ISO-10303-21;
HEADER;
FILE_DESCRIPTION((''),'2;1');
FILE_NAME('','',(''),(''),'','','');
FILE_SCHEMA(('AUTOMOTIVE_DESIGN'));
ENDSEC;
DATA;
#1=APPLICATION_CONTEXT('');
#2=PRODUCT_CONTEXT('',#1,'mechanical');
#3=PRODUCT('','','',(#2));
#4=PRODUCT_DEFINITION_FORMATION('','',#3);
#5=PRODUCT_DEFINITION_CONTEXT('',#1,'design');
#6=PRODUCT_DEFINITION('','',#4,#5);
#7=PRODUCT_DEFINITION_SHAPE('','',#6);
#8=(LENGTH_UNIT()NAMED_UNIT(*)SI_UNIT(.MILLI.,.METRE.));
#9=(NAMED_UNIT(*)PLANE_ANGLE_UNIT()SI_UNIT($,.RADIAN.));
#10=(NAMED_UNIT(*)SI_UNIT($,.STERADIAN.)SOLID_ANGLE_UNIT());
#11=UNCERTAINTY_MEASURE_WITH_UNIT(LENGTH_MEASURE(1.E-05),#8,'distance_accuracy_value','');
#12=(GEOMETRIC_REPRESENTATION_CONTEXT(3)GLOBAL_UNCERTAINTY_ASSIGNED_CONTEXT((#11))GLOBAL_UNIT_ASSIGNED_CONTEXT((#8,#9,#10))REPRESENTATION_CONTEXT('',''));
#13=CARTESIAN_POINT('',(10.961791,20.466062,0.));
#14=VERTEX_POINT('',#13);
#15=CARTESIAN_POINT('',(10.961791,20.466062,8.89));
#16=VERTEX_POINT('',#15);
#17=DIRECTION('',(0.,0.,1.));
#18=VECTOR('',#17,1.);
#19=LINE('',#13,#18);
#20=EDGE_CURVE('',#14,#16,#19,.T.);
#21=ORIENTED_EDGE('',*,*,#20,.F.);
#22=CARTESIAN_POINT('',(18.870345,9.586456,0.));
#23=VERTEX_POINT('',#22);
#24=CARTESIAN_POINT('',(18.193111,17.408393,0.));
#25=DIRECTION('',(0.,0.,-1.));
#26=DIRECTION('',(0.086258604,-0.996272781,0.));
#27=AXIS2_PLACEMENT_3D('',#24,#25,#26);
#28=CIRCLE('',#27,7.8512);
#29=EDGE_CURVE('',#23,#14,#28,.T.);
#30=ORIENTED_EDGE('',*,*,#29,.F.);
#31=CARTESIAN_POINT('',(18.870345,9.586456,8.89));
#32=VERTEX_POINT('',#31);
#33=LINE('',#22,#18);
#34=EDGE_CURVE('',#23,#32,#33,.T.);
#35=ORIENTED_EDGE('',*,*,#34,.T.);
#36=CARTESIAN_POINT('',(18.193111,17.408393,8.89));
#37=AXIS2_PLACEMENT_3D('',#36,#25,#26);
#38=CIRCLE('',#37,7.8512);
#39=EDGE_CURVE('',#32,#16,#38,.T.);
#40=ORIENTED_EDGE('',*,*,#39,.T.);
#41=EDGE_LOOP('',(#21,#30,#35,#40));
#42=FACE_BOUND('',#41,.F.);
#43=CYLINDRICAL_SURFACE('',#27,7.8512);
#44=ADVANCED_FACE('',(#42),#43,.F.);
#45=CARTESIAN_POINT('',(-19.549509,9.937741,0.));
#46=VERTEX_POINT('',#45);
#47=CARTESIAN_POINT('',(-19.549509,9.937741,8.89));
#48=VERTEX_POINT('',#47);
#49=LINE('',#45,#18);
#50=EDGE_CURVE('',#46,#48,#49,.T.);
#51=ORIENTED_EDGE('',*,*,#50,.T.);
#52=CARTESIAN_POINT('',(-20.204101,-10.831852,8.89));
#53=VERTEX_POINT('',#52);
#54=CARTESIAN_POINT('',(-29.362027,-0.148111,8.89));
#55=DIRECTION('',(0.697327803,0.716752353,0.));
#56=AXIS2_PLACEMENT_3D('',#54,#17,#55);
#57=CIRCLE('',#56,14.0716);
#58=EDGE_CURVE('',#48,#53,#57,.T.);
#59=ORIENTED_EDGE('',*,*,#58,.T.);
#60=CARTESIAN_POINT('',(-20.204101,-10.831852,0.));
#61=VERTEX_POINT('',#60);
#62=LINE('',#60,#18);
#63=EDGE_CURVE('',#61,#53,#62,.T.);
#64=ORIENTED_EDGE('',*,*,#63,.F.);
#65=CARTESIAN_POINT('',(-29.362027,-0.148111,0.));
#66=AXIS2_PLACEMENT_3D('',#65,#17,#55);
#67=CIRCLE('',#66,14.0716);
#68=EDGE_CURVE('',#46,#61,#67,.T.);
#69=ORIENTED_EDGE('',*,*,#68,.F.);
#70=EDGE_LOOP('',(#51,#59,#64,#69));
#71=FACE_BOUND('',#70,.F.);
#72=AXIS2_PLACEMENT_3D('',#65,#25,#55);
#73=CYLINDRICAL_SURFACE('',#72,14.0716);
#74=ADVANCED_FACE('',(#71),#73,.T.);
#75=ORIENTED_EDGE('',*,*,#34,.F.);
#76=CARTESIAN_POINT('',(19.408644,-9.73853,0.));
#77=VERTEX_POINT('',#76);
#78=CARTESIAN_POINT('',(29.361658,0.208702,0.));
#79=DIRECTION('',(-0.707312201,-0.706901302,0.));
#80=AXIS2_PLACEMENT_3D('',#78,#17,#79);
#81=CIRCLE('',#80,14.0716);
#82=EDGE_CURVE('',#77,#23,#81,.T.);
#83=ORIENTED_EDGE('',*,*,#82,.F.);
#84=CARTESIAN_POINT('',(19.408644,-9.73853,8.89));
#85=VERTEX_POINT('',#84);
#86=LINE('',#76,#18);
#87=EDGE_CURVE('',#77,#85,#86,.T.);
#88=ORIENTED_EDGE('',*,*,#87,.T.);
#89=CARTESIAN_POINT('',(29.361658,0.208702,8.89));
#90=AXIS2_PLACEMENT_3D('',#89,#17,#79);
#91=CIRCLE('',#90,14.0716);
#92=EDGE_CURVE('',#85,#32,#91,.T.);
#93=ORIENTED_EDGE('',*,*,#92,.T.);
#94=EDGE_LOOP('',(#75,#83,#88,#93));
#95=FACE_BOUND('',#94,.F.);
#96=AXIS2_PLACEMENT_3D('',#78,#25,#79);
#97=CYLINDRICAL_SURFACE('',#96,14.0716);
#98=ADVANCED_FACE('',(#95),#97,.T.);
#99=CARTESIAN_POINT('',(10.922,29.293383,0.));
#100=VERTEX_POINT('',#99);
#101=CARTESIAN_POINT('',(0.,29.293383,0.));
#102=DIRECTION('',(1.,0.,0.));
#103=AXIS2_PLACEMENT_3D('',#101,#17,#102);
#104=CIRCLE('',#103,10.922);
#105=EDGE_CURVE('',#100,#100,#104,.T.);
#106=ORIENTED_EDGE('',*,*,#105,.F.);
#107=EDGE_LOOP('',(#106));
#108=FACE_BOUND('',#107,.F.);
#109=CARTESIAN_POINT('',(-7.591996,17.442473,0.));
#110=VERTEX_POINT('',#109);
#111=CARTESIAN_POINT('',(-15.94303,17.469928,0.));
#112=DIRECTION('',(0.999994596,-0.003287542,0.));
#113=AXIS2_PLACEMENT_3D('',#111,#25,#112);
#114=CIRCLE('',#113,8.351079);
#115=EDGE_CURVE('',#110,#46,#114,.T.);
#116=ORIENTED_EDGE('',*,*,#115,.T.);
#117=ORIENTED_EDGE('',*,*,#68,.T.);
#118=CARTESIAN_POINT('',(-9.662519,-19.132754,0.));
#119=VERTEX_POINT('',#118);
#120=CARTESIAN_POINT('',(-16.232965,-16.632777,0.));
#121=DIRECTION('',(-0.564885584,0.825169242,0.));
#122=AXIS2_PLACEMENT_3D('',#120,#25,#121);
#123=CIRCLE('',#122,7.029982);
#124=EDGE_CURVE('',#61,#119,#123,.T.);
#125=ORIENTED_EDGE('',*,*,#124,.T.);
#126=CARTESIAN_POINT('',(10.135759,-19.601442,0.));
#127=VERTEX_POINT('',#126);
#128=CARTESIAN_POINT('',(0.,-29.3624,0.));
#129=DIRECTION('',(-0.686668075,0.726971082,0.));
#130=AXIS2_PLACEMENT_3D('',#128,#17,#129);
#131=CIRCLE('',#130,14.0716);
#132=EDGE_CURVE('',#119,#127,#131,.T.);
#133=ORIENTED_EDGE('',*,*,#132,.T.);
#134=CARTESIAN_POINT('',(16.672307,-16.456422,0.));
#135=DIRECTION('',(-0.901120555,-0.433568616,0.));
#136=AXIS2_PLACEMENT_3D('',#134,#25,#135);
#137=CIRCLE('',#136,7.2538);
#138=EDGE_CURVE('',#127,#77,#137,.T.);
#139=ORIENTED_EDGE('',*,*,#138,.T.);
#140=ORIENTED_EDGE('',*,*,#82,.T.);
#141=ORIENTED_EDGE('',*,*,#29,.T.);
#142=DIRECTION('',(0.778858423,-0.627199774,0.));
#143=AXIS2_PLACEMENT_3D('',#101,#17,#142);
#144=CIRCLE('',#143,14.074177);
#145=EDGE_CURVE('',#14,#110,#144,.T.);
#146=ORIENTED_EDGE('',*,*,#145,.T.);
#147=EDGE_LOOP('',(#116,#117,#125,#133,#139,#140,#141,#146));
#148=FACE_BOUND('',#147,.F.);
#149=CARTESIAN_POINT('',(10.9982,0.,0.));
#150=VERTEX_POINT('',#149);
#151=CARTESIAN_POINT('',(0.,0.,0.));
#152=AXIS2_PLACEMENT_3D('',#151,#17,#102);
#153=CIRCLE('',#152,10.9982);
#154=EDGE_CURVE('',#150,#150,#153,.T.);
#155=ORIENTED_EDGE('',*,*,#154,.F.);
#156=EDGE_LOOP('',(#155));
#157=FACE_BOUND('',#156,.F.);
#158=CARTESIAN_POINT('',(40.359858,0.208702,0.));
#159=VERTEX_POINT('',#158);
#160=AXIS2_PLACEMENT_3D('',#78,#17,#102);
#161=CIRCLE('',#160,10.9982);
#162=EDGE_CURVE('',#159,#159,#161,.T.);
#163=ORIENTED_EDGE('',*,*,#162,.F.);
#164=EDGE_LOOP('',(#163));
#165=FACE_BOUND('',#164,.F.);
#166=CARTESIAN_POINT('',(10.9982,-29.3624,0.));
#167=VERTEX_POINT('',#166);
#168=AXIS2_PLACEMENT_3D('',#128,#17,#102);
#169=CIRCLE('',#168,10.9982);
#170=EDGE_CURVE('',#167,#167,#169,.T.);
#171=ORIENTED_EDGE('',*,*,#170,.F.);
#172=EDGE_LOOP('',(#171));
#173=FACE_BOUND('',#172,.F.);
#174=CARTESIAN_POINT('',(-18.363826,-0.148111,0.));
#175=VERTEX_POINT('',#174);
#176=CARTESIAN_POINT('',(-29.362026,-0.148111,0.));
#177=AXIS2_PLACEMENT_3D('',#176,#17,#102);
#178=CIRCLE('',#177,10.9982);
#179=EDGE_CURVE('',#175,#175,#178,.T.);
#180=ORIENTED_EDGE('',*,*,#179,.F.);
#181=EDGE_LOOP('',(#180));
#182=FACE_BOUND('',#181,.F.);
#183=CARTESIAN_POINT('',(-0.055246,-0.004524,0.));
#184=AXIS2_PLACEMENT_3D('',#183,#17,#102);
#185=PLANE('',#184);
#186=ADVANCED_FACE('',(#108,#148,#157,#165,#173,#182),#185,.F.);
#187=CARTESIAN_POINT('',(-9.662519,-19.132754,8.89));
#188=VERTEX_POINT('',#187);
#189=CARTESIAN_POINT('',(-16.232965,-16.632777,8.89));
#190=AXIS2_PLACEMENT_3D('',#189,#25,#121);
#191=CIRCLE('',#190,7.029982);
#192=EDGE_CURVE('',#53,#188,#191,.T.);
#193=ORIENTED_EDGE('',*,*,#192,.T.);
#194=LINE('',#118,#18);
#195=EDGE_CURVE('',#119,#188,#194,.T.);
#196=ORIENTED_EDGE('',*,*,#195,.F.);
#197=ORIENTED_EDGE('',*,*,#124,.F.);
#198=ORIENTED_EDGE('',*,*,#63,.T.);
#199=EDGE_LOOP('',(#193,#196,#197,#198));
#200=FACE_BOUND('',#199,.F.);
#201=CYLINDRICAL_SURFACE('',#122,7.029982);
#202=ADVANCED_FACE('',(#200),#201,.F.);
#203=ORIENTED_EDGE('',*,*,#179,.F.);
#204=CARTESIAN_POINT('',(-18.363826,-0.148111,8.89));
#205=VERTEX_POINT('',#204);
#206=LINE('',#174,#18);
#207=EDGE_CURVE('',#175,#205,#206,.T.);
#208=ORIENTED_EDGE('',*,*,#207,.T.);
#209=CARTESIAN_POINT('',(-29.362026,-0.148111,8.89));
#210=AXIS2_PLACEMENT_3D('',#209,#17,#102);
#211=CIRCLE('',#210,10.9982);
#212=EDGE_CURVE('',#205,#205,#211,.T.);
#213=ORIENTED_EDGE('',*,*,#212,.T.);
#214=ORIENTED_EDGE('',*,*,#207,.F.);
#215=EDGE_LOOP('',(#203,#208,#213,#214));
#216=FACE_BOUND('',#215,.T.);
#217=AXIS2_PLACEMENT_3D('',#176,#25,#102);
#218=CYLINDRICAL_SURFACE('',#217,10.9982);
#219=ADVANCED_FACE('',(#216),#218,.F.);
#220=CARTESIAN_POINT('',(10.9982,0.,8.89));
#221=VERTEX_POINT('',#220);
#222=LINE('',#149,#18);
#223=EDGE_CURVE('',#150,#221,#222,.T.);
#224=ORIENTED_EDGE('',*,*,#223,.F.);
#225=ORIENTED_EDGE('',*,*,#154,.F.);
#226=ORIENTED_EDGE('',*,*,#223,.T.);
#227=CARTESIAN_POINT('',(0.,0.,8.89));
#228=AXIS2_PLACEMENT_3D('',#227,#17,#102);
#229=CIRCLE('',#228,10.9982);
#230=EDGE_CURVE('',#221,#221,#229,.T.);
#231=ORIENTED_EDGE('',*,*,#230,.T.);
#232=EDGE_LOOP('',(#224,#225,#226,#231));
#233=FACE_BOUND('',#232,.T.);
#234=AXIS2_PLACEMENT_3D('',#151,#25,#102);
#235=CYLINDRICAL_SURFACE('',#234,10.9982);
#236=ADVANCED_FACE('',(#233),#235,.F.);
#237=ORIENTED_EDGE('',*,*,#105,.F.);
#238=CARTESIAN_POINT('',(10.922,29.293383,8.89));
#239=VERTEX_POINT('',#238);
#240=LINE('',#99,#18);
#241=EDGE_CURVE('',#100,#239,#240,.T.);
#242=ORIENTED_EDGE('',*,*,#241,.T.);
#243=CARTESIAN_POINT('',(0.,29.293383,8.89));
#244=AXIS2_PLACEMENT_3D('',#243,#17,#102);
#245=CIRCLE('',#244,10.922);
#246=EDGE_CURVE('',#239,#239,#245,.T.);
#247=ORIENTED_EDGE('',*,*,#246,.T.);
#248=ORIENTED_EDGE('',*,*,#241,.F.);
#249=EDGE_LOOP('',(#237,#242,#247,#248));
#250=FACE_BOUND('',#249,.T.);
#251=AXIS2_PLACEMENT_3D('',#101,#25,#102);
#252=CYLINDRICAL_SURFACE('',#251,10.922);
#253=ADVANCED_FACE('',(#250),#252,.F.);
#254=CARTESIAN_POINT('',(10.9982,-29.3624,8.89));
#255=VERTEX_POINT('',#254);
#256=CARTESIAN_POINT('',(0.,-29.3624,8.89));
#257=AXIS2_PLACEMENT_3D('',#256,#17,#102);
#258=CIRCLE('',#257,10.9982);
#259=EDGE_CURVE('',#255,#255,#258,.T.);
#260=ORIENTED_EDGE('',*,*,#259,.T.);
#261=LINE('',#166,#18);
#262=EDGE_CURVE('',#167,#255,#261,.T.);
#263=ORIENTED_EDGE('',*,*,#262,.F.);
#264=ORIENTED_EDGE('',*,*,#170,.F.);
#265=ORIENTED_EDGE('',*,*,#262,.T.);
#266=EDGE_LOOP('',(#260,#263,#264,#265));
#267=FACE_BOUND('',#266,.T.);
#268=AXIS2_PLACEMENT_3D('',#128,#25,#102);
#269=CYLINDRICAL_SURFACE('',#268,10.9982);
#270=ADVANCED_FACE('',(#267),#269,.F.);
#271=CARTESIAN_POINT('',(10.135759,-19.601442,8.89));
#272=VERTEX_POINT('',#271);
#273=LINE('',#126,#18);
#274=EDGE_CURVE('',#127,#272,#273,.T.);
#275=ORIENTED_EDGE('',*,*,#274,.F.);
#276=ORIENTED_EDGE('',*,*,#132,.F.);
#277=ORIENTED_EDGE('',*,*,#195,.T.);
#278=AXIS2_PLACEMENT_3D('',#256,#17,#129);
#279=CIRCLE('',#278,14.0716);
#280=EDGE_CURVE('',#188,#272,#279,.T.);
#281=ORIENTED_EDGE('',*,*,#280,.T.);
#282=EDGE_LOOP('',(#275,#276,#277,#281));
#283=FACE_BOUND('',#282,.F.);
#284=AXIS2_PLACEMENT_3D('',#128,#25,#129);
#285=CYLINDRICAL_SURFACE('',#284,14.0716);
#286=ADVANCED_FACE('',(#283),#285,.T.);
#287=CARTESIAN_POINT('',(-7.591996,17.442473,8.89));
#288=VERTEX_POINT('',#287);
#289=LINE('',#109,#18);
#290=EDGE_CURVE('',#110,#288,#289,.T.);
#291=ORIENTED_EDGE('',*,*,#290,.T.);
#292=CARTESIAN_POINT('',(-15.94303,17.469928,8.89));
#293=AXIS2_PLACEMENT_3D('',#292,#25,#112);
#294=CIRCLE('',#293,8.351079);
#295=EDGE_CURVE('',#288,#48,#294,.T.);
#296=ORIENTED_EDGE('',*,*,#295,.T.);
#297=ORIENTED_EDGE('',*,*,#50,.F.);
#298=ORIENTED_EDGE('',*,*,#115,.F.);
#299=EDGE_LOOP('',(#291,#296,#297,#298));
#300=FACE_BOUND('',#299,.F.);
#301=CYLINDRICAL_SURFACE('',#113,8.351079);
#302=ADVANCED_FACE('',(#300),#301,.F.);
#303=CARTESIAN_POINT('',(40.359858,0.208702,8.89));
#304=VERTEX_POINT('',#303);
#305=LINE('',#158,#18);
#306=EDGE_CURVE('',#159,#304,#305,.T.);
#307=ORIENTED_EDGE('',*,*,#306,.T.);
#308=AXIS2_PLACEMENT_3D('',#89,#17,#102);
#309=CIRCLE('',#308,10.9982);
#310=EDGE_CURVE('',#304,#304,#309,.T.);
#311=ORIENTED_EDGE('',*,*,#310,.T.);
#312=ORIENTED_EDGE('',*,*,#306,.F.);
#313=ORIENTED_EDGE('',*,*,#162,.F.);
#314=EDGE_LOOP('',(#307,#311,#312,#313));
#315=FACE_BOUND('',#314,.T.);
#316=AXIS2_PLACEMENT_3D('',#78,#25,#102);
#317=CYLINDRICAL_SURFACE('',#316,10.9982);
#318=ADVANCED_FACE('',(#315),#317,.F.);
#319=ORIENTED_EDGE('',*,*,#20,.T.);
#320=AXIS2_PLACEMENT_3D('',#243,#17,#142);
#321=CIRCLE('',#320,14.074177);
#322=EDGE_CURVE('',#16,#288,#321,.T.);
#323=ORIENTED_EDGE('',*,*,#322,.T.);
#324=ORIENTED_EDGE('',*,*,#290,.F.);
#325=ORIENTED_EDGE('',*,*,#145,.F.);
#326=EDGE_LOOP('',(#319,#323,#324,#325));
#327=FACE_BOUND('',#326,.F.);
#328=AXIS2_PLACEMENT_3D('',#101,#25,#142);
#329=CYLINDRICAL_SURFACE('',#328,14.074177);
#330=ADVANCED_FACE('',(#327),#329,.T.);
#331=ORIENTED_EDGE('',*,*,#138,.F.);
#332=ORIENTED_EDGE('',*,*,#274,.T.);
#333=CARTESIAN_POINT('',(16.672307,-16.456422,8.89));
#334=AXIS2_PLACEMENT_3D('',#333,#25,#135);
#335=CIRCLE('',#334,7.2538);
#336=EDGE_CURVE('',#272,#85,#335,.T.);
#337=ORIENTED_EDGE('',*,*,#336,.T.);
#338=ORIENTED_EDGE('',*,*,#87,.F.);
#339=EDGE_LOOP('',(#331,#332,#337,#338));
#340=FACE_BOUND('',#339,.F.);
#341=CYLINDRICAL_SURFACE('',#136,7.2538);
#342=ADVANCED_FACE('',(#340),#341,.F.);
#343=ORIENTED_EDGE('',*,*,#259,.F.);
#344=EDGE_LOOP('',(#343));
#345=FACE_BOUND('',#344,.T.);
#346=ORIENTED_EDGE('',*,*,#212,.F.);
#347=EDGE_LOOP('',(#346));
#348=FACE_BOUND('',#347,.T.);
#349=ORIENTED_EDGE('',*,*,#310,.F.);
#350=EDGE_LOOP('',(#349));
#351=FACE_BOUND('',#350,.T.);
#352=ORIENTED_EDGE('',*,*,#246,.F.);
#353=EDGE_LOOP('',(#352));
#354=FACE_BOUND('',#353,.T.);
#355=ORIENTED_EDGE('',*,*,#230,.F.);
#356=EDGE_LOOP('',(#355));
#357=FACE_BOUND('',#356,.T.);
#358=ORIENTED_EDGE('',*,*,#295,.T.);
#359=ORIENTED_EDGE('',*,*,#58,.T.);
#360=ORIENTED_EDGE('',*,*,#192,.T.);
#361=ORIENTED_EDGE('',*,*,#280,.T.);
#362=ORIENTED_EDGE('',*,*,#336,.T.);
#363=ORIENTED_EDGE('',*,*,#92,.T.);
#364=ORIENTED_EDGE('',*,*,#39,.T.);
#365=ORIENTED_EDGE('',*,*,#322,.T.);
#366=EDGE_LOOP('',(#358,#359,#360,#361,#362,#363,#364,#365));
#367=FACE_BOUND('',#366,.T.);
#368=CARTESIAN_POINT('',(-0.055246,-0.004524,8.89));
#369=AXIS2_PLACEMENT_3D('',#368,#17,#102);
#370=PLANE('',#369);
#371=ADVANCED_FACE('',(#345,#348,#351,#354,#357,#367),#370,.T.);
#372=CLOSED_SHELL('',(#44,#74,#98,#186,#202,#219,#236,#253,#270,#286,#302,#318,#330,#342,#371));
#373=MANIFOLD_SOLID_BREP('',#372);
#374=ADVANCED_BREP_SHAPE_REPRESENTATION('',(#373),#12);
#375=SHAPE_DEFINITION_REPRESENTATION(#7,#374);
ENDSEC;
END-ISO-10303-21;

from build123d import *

# Parameters (mm, degrees)
F0_R     = 10.9982
F0_R_2   = 10.922
F1_DEPTH = 8.89


with BuildPart() as f1:
    # F0 (on Top) → F1 (new body)
    with BuildSketch(Plane.XY):
        with BuildLine():
            ThreePointArc((18.870345, 9.586456), (11.842484, 12.792023), (10.961791, 20.466062))
            ThreePointArc((10.961791, 20.466062), (-2.263714, 43.184317), (-7.591996, 17.442473))
            ThreePointArc((-7.591996, 17.442473), (-11.503666, 10.396557), (-19.549509, 9.937741))
            ThreePointArc((-19.549509, 9.937741), (-43.426643, 0.295161), (-20.204101, -10.831852))
            ThreePointArc((-20.204101, -10.831852), (-11.883787, -11.109617), (-9.662519, -19.132754))
            ThreePointArc((-9.662519, -19.132754), (-0.333026, -43.430059), (10.135759, -19.601442))
            ThreePointArc((10.135759, -19.601442), (11.387455, -11.487725), (19.408644, -9.73853))
            ThreePointArc((19.408644, -9.73853), (43.427802, 0.600515), (18.870345, 9.586456))
        make_face()
        with Locations((-29.362026, -0.148111)):
            Circle(F0_R, mode=Mode.SUBTRACT)
        with Locations((0, -29.3624)):
            Circle(F0_R, mode=Mode.SUBTRACT)
        Circle(F0_R, mode=Mode.SUBTRACT)
        with Locations((29.361658, 0.208702)):
            Circle(F0_R, mode=Mode.SUBTRACT)
        with Locations((0, 29.293383)):
            Circle(F0_R_2, mode=Mode.SUBTRACT)
    extrude(amount=F1_DEPTH)


solid = f1.part
